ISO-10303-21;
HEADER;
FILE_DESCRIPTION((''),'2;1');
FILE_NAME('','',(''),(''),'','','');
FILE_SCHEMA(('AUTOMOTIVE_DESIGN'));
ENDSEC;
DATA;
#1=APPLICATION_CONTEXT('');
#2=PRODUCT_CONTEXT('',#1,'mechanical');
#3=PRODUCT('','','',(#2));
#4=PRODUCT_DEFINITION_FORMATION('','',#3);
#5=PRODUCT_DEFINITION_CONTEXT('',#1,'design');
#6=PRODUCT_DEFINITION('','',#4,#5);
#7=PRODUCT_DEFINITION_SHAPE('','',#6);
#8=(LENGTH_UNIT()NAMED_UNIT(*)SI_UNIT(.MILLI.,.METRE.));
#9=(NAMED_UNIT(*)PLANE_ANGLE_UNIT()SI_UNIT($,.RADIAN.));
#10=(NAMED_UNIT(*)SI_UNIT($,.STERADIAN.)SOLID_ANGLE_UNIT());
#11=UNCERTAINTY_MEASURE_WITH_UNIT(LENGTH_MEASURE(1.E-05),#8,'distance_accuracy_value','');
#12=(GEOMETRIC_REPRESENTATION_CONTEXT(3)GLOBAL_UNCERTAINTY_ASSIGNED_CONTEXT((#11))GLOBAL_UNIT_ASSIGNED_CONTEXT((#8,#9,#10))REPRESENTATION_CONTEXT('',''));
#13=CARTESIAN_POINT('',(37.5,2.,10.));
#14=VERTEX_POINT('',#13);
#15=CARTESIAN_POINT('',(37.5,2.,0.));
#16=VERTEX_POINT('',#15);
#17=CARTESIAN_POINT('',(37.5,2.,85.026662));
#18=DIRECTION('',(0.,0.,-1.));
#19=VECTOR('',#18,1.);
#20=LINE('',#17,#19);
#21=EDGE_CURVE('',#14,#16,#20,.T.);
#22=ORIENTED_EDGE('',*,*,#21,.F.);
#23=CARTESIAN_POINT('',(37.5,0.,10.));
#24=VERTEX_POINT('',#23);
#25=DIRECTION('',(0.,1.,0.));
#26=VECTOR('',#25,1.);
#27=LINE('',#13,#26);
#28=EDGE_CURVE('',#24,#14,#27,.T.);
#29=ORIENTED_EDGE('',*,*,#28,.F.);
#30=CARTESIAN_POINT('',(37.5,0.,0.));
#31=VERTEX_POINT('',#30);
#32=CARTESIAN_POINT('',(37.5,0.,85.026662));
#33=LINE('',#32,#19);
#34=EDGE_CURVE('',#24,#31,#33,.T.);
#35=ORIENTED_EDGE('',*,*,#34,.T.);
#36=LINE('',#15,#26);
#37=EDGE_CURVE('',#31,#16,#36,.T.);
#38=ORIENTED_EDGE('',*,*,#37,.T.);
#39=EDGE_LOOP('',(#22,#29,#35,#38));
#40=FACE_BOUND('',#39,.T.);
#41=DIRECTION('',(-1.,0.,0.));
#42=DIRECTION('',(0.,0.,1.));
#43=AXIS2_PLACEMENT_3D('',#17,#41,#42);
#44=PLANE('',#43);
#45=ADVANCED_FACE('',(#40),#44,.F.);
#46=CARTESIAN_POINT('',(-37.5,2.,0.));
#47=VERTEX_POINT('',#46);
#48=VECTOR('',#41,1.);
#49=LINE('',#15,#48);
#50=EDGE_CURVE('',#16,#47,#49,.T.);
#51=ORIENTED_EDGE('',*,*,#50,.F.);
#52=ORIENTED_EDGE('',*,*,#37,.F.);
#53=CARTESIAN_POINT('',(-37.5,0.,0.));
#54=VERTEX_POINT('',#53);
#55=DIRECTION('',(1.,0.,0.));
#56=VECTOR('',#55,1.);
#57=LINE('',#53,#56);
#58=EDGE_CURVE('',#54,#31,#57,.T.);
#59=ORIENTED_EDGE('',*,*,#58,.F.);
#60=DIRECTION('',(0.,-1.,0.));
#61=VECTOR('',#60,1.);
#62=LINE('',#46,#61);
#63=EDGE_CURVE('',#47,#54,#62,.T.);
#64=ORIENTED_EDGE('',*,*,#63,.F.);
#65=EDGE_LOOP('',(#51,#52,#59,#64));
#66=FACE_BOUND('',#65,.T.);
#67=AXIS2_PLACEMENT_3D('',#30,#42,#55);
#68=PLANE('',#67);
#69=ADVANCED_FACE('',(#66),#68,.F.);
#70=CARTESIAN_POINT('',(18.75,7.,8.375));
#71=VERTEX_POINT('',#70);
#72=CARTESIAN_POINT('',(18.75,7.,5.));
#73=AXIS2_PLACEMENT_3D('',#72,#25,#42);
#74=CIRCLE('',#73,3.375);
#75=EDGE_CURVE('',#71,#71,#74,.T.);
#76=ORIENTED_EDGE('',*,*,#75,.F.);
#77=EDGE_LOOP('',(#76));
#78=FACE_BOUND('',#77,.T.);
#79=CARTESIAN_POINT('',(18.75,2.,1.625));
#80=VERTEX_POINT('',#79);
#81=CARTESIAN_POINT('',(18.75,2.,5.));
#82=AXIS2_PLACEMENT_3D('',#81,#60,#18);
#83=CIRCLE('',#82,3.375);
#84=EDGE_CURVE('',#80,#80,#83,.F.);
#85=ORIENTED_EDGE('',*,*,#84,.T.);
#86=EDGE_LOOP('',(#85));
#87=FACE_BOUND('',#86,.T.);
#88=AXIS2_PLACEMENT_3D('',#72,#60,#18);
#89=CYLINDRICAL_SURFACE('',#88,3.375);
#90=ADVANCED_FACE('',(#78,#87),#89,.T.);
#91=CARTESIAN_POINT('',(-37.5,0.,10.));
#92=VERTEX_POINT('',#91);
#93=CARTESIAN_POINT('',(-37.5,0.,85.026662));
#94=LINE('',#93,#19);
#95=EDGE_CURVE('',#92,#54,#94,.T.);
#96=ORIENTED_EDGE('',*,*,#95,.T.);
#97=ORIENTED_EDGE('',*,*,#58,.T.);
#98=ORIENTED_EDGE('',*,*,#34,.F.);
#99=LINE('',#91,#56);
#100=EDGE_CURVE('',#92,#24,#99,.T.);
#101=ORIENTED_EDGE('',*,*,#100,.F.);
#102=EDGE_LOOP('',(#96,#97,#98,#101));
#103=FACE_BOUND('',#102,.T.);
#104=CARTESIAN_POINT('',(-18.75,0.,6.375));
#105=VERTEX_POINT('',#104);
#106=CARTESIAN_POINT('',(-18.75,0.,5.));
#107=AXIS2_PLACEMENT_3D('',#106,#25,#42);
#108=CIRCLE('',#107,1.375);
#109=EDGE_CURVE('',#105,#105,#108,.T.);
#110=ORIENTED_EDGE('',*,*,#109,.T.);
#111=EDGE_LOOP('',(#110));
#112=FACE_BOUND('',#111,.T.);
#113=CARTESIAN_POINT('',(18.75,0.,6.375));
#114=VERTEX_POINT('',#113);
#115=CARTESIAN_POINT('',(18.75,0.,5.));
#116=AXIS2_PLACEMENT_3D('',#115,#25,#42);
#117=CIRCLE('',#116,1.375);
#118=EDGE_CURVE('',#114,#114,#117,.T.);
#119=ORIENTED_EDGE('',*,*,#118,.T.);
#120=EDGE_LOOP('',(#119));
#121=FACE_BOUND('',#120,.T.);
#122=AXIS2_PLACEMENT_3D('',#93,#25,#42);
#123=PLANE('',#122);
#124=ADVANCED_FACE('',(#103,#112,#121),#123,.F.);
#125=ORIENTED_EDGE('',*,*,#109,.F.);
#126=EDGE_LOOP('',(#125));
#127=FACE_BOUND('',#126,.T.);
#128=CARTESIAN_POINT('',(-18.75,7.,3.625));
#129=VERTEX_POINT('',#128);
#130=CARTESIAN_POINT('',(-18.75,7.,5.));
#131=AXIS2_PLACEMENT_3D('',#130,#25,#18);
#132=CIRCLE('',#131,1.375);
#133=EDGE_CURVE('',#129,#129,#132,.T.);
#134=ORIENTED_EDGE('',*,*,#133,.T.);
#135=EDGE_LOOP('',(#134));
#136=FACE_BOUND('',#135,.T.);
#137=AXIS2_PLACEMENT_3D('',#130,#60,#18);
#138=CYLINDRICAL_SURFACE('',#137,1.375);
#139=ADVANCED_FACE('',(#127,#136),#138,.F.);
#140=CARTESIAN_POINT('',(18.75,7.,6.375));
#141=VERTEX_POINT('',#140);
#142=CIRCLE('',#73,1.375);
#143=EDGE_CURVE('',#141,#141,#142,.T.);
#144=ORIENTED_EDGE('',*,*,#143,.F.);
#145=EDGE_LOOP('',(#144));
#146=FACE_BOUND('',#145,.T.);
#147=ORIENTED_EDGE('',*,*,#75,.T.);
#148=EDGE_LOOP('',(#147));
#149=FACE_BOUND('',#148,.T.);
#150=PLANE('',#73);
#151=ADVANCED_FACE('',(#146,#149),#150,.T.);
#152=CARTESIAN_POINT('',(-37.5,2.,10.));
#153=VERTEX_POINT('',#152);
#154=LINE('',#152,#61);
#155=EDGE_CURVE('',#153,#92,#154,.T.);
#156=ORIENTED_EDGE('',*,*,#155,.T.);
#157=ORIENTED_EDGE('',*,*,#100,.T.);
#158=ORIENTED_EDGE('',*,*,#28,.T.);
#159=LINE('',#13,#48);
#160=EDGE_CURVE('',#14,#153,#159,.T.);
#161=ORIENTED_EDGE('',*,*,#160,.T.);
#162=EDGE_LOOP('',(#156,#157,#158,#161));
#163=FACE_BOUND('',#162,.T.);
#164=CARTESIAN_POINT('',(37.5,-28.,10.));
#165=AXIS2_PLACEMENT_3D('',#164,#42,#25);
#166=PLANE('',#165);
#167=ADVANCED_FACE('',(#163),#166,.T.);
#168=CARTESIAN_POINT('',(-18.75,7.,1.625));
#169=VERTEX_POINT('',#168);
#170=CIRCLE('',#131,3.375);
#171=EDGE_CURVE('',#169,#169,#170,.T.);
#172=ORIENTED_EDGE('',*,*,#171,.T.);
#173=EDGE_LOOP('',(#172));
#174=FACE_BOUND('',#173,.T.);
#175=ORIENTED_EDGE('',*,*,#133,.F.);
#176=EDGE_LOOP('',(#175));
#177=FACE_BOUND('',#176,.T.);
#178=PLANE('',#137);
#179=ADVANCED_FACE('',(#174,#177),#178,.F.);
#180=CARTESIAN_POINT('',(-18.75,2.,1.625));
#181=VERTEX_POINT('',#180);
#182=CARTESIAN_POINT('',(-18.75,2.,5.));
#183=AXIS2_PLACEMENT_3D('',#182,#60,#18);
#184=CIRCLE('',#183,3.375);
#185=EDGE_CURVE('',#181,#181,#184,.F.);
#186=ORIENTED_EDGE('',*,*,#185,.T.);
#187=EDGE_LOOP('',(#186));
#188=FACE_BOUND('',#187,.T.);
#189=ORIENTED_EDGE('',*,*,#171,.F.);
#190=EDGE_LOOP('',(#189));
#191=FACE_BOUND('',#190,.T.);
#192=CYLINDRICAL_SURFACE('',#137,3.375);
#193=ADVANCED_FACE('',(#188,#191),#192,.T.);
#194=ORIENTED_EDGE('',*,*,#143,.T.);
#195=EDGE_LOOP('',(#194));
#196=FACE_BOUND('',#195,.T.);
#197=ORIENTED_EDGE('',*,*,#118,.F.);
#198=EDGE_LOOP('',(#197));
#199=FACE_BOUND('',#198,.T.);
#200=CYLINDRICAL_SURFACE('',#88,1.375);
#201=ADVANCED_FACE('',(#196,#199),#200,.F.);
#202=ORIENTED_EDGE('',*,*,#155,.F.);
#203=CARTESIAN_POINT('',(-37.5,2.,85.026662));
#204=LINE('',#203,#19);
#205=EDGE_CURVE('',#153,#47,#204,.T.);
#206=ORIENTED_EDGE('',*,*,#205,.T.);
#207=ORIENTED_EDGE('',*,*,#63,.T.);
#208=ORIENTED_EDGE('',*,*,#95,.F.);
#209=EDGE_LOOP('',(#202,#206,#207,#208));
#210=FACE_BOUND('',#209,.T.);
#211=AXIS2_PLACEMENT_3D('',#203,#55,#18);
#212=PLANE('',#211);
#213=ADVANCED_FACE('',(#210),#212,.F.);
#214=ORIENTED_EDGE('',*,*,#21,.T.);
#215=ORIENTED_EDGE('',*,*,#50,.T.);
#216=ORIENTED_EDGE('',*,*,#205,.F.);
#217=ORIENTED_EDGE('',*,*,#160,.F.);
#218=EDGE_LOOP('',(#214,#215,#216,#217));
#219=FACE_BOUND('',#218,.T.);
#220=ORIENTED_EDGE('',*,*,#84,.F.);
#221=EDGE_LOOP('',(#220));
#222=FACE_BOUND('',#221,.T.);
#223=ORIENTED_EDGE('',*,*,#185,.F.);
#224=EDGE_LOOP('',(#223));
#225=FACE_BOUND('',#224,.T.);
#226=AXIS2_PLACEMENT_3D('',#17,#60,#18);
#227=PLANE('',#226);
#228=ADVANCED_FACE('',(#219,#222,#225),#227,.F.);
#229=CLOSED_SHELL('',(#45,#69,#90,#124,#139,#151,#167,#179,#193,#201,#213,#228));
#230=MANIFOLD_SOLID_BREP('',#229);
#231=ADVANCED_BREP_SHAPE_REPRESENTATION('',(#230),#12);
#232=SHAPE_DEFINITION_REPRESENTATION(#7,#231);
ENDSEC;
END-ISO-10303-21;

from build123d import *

# Parameters (mm, degrees)
SKETCH1_W           = 75
SKETCH1_H           = 2
BOSS_EXTRUDE1_DEPTH = 10
SKETCH2_R           = 3.375
SKETCH2_R_2         = 1.375
BOSS_EXTRUDE2_DEPTH = 5
SKETCH3_R           = 1.375
CUT_EXTRUDE1_DEPTH  = 40.131189606


with BuildPart() as part:
    # Sketch1 → Boss-Extrude1 (new body)
    with BuildSketch(Plane.XY):
        with Locations((0, 1)):
            Rectangle(SKETCH1_W, SKETCH1_H)
    extrude(amount=BOSS_EXTRUDE1_DEPTH)

    # Sketch2 → Boss-Extrude2 (add)
    # profile 1 of 2: a face of its own
    with BuildSketch(Plane(origin=(0, 2, 0), x_dir=(1, 0, 0), z_dir=(0, 1, 0))):
        with Locations(Location((18.75, -5, 0), (0, 0, 90))):
            Circle(SKETCH2_R)
        with Locations(Location((18.75, -5, 0), (0, 0, 270))):
            Circle(SKETCH2_R_2, mode=Mode.SUBTRACT)
    # profile 2 of 2: a face of its own
    with BuildSketch(Plane(origin=(0, 2, 0), x_dir=(1, 0, 0), z_dir=(0, 1, 0))):
        with Locations(Location((-18.75, -5, 0), (0, 0, 90))):
            Circle(SKETCH2_R)
        with Locations(Location((-18.75, -5, 0), (0, 0, 90))):
            Circle(SKETCH2_R_2, mode=Mode.SUBTRACT)
    extrude(amount=BOSS_EXTRUDE2_DEPTH)

    # Sketch3 → Cut-Extrude1 (cut, through all)
    with BuildSketch(Plane(origin=(0, 2, 0), x_dir=(1, 0, 0), z_dir=(0, 1, 0))):
        with Locations(Location((18.75, -5, 0), (0, 0, 270))):
            Circle(SKETCH3_R)
        with Locations(Location((-18.75, -5, 0), (0, 0, 90))):
            Circle(SKETCH3_R)
    extrude(amount=-CUT_EXTRUDE1_DEPTH, mode=Mode.SUBTRACT)


solid = part.part
